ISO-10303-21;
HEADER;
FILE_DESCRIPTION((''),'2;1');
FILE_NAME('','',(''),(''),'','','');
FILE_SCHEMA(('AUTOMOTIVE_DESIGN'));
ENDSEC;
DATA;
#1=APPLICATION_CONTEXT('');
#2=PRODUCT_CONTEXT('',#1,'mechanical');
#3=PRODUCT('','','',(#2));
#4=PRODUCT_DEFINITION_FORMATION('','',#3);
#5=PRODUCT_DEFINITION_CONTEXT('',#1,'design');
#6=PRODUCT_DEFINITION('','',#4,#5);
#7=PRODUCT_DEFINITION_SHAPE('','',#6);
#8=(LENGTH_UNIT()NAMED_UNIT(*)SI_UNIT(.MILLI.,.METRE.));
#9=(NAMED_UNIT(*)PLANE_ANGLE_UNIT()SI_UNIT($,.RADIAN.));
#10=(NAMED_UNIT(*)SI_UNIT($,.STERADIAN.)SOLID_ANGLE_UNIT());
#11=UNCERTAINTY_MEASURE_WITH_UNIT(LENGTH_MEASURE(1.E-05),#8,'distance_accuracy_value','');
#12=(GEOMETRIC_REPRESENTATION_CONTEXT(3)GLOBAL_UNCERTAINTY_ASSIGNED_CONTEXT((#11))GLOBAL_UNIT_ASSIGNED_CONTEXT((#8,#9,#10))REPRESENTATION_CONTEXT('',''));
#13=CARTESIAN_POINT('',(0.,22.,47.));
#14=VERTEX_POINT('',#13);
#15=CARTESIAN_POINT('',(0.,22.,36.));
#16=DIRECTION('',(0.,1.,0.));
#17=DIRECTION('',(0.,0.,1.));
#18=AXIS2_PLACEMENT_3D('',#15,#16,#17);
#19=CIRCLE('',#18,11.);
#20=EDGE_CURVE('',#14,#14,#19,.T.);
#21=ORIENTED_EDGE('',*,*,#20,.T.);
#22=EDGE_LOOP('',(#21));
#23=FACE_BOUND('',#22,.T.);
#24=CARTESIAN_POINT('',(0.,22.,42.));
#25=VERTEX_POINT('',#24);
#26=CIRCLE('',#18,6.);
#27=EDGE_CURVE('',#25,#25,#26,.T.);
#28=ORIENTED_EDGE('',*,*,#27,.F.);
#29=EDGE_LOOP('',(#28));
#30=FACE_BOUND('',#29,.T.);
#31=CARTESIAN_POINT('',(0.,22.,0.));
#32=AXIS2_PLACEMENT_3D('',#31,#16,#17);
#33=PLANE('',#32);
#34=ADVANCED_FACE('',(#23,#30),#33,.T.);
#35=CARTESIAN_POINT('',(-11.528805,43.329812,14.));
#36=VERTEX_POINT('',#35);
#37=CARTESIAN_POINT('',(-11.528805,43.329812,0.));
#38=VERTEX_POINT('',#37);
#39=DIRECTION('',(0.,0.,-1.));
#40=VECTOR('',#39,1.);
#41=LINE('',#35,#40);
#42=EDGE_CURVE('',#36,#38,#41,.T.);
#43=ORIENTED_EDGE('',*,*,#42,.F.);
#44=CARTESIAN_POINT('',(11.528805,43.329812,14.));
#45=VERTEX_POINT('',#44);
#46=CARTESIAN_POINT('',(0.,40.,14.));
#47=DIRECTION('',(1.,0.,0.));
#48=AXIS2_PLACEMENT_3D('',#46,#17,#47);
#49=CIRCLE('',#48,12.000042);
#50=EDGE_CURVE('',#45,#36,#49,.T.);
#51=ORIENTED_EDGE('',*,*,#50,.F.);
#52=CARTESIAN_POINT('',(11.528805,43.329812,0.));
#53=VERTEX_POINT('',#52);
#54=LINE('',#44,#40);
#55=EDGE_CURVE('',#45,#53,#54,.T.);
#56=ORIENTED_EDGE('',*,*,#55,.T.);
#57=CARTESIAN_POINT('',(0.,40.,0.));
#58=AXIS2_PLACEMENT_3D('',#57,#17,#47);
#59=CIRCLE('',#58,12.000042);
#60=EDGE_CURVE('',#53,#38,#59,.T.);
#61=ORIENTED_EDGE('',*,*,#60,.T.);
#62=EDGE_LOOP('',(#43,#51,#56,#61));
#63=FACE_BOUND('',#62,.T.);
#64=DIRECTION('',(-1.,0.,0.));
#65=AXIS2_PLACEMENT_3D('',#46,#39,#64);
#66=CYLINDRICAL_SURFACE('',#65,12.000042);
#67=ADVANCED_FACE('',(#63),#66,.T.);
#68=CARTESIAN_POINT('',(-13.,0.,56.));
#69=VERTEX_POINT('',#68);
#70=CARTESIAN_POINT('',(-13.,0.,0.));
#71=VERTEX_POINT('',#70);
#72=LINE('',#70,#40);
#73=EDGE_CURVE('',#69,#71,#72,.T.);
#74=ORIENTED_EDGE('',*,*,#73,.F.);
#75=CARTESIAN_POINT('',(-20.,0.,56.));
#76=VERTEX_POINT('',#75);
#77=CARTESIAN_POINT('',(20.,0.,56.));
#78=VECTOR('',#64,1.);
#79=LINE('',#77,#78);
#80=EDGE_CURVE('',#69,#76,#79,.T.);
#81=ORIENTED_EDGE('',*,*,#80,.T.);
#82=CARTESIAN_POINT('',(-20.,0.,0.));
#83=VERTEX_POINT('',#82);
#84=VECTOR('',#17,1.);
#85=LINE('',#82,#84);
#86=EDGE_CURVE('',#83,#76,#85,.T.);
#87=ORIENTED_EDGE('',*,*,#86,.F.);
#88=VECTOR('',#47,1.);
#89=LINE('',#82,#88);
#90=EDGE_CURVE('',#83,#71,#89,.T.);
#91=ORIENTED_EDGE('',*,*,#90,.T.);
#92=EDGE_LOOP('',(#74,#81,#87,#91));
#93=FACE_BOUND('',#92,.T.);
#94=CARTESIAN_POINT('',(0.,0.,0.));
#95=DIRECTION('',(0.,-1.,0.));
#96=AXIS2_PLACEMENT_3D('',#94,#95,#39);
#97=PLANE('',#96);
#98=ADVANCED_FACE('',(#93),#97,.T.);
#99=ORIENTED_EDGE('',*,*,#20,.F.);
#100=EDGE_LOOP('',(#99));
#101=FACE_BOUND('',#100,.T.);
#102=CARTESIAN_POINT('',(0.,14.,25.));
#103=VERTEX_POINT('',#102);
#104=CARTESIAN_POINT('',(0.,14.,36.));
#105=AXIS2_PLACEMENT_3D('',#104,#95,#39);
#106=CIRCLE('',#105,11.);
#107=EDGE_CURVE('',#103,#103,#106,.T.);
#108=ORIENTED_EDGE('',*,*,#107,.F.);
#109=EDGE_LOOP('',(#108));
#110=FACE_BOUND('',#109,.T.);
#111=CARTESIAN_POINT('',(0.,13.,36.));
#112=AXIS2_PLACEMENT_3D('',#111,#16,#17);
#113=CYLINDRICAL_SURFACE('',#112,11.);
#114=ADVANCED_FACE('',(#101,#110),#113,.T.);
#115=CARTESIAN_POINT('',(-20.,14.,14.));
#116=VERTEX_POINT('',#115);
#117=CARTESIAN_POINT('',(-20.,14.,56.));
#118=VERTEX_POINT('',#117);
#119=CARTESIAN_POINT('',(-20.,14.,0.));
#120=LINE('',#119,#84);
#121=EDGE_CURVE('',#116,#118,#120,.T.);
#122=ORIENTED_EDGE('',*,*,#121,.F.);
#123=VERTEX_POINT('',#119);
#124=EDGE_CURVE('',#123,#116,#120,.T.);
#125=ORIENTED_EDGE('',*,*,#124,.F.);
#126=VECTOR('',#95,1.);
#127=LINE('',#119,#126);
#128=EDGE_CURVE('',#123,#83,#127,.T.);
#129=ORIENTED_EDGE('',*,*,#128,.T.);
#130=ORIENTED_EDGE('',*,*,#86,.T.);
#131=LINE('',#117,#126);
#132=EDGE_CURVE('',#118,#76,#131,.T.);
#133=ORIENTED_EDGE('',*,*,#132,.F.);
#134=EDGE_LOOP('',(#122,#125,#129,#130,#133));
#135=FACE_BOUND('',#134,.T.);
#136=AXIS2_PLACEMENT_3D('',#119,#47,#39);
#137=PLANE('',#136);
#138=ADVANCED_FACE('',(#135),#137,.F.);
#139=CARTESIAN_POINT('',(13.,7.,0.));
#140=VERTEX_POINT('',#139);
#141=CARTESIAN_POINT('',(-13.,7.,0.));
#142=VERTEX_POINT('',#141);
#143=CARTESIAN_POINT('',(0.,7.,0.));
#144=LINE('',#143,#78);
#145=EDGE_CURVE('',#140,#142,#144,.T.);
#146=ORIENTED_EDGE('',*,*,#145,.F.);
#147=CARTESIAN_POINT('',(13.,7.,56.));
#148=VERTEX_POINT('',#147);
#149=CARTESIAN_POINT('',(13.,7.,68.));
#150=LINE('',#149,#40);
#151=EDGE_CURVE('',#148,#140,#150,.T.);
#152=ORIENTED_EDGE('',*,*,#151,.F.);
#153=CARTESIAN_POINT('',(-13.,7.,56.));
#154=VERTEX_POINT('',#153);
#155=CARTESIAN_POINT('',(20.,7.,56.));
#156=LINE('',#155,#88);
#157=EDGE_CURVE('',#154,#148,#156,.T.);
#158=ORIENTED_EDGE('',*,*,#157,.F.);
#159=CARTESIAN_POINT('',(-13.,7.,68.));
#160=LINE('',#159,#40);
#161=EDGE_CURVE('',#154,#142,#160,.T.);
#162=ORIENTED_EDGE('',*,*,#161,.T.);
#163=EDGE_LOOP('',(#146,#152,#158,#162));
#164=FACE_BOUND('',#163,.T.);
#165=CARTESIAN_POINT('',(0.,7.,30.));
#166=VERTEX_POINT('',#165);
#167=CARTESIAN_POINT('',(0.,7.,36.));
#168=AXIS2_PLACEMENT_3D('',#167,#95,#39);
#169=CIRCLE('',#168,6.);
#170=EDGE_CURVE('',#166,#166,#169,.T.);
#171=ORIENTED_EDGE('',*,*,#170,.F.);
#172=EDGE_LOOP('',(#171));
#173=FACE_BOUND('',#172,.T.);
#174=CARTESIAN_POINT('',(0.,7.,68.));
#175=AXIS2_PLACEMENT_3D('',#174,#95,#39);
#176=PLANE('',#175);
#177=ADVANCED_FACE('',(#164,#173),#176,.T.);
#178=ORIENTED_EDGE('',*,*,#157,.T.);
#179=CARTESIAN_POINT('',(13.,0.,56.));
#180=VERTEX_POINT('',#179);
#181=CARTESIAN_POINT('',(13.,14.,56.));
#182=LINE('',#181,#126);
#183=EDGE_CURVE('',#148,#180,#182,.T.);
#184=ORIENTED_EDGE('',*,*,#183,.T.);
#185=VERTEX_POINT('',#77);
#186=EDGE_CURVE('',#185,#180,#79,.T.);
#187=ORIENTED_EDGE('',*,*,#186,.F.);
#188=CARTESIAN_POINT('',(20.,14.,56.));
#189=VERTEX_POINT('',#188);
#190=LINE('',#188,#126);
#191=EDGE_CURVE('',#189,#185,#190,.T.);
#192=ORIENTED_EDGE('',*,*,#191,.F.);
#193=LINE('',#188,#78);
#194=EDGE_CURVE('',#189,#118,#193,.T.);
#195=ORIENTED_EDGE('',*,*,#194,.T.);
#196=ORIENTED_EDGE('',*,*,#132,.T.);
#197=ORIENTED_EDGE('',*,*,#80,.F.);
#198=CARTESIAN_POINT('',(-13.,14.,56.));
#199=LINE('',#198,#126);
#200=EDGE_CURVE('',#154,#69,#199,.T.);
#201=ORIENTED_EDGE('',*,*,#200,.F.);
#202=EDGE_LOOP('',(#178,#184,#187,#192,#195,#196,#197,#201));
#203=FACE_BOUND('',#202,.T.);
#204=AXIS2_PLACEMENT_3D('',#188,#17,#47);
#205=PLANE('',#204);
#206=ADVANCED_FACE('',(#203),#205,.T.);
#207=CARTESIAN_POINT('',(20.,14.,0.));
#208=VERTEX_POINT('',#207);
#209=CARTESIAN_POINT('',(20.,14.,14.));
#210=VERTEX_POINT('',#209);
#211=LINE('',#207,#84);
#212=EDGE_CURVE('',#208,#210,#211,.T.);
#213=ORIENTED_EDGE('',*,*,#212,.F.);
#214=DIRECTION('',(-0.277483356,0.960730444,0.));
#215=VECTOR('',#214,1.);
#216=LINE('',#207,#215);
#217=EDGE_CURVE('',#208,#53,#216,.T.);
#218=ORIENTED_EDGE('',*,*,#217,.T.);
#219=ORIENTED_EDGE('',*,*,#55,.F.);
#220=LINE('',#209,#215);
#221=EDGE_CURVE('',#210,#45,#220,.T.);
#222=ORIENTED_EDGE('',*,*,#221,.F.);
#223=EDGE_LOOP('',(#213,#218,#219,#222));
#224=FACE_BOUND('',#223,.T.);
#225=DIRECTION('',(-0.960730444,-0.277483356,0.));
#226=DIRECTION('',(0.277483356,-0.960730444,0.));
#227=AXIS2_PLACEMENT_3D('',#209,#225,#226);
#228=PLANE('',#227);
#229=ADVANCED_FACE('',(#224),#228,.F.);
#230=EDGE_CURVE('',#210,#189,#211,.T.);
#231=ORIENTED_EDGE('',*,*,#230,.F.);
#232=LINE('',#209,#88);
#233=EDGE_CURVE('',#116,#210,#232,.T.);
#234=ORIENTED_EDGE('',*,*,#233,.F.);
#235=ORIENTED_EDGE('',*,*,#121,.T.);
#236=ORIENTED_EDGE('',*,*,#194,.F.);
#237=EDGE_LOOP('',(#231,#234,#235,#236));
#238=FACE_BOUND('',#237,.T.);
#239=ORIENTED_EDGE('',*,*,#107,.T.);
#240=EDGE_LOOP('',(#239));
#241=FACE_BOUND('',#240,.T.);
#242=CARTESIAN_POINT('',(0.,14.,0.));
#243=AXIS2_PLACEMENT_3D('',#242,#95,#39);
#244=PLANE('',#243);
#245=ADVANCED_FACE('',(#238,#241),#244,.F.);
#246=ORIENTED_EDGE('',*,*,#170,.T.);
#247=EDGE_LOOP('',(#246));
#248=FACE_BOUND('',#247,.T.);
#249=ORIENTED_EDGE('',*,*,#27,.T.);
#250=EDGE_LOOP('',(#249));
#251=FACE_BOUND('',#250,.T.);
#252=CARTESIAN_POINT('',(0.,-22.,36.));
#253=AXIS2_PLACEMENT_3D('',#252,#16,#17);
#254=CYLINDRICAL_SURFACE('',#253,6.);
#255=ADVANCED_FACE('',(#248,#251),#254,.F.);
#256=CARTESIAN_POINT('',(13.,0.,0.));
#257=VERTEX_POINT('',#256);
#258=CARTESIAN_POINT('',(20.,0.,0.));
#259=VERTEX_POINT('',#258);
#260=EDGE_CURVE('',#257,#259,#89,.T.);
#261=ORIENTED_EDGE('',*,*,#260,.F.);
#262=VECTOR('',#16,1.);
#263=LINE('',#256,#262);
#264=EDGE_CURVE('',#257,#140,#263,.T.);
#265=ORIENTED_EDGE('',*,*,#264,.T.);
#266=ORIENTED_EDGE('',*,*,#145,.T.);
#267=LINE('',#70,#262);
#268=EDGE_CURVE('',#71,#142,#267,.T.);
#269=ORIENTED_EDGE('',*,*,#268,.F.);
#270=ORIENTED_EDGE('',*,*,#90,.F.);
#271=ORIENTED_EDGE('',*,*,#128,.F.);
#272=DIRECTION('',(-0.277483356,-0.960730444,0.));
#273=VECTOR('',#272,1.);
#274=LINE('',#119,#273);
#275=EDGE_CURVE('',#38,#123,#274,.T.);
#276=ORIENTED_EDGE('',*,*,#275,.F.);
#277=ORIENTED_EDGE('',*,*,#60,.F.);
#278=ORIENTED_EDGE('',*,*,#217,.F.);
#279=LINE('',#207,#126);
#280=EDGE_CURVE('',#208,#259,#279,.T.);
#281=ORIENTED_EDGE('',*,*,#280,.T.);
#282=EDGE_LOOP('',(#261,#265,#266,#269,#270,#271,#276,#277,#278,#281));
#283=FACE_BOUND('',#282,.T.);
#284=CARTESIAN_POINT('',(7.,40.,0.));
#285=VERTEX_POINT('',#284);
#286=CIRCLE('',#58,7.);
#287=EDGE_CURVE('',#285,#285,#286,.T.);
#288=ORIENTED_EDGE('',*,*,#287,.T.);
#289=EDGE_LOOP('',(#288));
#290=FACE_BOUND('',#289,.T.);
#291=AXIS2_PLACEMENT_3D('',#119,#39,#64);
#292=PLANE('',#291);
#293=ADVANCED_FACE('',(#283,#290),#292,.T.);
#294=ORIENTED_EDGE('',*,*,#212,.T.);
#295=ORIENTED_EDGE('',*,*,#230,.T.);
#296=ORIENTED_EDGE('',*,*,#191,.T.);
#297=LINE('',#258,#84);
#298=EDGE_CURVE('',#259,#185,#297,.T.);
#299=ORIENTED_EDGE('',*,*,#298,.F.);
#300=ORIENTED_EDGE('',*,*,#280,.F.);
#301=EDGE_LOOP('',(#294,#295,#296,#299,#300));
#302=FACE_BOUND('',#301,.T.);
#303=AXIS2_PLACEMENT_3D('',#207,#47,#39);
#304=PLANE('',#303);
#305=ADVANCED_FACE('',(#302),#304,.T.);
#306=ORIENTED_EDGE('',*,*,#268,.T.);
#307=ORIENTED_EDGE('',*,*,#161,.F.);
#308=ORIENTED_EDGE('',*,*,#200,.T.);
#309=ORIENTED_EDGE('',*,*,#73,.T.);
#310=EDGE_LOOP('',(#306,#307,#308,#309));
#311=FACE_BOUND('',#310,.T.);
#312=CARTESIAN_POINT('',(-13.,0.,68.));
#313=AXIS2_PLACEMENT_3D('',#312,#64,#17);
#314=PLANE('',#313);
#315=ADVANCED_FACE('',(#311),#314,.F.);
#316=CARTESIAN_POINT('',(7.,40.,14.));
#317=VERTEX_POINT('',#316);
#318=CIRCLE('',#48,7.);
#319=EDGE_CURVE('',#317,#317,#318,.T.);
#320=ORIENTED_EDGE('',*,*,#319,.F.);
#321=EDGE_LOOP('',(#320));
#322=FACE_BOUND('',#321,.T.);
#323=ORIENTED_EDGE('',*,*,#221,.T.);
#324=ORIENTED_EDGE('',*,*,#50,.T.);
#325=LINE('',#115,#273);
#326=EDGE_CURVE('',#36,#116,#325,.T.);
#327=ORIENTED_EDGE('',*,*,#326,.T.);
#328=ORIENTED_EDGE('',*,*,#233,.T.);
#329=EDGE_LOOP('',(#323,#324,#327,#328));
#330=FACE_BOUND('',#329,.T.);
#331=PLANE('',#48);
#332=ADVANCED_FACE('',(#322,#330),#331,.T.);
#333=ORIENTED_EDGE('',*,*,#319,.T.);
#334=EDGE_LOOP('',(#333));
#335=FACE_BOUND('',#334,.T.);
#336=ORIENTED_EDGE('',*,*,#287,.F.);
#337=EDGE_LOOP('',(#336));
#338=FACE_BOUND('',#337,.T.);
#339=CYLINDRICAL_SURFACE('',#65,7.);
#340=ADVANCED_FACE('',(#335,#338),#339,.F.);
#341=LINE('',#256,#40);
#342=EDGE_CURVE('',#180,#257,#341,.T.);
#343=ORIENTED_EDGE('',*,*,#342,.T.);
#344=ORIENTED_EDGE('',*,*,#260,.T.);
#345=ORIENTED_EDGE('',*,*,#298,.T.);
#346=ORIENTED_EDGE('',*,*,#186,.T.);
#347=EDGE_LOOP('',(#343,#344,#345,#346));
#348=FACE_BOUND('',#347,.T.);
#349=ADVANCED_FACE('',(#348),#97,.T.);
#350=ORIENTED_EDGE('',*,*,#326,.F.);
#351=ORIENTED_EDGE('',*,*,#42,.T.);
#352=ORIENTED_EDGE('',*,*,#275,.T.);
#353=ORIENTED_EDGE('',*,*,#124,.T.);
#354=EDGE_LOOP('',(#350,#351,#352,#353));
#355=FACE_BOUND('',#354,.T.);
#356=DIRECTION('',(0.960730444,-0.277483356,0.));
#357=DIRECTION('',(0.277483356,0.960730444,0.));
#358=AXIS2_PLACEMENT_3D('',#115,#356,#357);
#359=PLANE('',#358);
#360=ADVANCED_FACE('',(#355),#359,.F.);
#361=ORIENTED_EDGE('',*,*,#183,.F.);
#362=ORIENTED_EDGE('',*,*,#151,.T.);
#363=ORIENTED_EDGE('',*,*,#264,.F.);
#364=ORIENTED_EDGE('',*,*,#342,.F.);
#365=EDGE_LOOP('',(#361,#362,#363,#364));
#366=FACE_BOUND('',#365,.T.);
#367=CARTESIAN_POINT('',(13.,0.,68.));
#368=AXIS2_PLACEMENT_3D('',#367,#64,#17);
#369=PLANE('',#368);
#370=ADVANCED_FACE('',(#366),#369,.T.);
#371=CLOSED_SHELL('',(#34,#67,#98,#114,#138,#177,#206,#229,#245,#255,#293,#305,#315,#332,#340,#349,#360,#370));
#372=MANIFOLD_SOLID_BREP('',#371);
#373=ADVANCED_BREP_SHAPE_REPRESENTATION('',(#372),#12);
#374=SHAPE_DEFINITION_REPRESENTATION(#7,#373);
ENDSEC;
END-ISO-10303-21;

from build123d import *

# Parameters (mm, degrees)
SKETCH1_W                = 40
SKETCH1_H                = 56
BOSS_EXTRUDE1_DEPTH      = 14
SKETCH5_W                = 13
SKETCH5_H                = 7
CUT_EXTRUDE1_DEPTH       = 68
SKETCH7_R                = 7
BOSS_EXTRUDE2_DEPTH      = 14
BOSS_EXTRUDE3_DEPTH      = 8
BOSS_EXTRUDE3_DEPTH_BACK = 1
SKETCH8_R                = 11
SKETCH9_R                = 6
CUT_EXTRUDE2_DEPTH       = 44


with BuildPart() as part:
    # Sketch1 → Boss-Extrude1 (new body)
    with BuildSketch(Plane(origin=(0, 0, 0), x_dir=(1, 0, 0), z_dir=(0, 1, 0))):
        with Locations((0, -28)):
            Rectangle(SKETCH1_W, SKETCH1_H)
    extrude(amount=BOSS_EXTRUDE1_DEPTH)

    # Sketch5 → Cut-Extrude1 (cut)
    with BuildSketch(Plane.XY):
        with Locations((6.5, 3.5)):
            Rectangle(SKETCH5_W, SKETCH5_H)
        with Locations((-6.5, 3.5)):
            Rectangle(SKETCH5_W, SKETCH5_H)
    extrude(amount=CUT_EXTRUDE1_DEPTH, mode=Mode.SUBTRACT)

    # Sketch7 → Boss-Extrude2 (add)
    with BuildSketch(Plane.XY):
        with BuildLine():
            Line((20, 14), (-20, 14))
            Line((-20, 14), (-11.528805322, 43.329811826))
            ThreePointArc((-11.528805322, 43.329811826), (0, 52.000041623), (11.528805322, 43.329811826))
            Line((11.528805322, 43.329811826), (20, 14))
        make_face()
        with Locations((0, 40)):
            Circle(SKETCH7_R, mode=Mode.SUBTRACT)
    extrude(amount=BOSS_EXTRUDE2_DEPTH)

    # Sketch8 → Boss-Extrude3 (add, two sides: drawn at the far end of the back side and taken through both)
    with BuildSketch(Plane(origin=(0, 14, 0), x_dir=(1, 0, 0), z_dir=(0, 1, 0)).offset(-BOSS_EXTRUDE3_DEPTH_BACK)):
        with Locations(Location((0, -36, 0), (0, 0, 270))):
            Circle(SKETCH8_R)
    extrude(amount=BOSS_EXTRUDE3_DEPTH + BOSS_EXTRUDE3_DEPTH_BACK)

    # Sketch9 → Cut-Extrude2 (cut)
    with BuildSketch(Plane(origin=(0, 22, 0), x_dir=(1, 0, 0), z_dir=(0, 1, 0))):
        with Locations(Location((0, -36, 0), (0, 0, 270))):
            Circle(SKETCH9_R)
    extrude(amount=-CUT_EXTRUDE2_DEPTH, mode=Mode.SUBTRACT)


solid = part.part
